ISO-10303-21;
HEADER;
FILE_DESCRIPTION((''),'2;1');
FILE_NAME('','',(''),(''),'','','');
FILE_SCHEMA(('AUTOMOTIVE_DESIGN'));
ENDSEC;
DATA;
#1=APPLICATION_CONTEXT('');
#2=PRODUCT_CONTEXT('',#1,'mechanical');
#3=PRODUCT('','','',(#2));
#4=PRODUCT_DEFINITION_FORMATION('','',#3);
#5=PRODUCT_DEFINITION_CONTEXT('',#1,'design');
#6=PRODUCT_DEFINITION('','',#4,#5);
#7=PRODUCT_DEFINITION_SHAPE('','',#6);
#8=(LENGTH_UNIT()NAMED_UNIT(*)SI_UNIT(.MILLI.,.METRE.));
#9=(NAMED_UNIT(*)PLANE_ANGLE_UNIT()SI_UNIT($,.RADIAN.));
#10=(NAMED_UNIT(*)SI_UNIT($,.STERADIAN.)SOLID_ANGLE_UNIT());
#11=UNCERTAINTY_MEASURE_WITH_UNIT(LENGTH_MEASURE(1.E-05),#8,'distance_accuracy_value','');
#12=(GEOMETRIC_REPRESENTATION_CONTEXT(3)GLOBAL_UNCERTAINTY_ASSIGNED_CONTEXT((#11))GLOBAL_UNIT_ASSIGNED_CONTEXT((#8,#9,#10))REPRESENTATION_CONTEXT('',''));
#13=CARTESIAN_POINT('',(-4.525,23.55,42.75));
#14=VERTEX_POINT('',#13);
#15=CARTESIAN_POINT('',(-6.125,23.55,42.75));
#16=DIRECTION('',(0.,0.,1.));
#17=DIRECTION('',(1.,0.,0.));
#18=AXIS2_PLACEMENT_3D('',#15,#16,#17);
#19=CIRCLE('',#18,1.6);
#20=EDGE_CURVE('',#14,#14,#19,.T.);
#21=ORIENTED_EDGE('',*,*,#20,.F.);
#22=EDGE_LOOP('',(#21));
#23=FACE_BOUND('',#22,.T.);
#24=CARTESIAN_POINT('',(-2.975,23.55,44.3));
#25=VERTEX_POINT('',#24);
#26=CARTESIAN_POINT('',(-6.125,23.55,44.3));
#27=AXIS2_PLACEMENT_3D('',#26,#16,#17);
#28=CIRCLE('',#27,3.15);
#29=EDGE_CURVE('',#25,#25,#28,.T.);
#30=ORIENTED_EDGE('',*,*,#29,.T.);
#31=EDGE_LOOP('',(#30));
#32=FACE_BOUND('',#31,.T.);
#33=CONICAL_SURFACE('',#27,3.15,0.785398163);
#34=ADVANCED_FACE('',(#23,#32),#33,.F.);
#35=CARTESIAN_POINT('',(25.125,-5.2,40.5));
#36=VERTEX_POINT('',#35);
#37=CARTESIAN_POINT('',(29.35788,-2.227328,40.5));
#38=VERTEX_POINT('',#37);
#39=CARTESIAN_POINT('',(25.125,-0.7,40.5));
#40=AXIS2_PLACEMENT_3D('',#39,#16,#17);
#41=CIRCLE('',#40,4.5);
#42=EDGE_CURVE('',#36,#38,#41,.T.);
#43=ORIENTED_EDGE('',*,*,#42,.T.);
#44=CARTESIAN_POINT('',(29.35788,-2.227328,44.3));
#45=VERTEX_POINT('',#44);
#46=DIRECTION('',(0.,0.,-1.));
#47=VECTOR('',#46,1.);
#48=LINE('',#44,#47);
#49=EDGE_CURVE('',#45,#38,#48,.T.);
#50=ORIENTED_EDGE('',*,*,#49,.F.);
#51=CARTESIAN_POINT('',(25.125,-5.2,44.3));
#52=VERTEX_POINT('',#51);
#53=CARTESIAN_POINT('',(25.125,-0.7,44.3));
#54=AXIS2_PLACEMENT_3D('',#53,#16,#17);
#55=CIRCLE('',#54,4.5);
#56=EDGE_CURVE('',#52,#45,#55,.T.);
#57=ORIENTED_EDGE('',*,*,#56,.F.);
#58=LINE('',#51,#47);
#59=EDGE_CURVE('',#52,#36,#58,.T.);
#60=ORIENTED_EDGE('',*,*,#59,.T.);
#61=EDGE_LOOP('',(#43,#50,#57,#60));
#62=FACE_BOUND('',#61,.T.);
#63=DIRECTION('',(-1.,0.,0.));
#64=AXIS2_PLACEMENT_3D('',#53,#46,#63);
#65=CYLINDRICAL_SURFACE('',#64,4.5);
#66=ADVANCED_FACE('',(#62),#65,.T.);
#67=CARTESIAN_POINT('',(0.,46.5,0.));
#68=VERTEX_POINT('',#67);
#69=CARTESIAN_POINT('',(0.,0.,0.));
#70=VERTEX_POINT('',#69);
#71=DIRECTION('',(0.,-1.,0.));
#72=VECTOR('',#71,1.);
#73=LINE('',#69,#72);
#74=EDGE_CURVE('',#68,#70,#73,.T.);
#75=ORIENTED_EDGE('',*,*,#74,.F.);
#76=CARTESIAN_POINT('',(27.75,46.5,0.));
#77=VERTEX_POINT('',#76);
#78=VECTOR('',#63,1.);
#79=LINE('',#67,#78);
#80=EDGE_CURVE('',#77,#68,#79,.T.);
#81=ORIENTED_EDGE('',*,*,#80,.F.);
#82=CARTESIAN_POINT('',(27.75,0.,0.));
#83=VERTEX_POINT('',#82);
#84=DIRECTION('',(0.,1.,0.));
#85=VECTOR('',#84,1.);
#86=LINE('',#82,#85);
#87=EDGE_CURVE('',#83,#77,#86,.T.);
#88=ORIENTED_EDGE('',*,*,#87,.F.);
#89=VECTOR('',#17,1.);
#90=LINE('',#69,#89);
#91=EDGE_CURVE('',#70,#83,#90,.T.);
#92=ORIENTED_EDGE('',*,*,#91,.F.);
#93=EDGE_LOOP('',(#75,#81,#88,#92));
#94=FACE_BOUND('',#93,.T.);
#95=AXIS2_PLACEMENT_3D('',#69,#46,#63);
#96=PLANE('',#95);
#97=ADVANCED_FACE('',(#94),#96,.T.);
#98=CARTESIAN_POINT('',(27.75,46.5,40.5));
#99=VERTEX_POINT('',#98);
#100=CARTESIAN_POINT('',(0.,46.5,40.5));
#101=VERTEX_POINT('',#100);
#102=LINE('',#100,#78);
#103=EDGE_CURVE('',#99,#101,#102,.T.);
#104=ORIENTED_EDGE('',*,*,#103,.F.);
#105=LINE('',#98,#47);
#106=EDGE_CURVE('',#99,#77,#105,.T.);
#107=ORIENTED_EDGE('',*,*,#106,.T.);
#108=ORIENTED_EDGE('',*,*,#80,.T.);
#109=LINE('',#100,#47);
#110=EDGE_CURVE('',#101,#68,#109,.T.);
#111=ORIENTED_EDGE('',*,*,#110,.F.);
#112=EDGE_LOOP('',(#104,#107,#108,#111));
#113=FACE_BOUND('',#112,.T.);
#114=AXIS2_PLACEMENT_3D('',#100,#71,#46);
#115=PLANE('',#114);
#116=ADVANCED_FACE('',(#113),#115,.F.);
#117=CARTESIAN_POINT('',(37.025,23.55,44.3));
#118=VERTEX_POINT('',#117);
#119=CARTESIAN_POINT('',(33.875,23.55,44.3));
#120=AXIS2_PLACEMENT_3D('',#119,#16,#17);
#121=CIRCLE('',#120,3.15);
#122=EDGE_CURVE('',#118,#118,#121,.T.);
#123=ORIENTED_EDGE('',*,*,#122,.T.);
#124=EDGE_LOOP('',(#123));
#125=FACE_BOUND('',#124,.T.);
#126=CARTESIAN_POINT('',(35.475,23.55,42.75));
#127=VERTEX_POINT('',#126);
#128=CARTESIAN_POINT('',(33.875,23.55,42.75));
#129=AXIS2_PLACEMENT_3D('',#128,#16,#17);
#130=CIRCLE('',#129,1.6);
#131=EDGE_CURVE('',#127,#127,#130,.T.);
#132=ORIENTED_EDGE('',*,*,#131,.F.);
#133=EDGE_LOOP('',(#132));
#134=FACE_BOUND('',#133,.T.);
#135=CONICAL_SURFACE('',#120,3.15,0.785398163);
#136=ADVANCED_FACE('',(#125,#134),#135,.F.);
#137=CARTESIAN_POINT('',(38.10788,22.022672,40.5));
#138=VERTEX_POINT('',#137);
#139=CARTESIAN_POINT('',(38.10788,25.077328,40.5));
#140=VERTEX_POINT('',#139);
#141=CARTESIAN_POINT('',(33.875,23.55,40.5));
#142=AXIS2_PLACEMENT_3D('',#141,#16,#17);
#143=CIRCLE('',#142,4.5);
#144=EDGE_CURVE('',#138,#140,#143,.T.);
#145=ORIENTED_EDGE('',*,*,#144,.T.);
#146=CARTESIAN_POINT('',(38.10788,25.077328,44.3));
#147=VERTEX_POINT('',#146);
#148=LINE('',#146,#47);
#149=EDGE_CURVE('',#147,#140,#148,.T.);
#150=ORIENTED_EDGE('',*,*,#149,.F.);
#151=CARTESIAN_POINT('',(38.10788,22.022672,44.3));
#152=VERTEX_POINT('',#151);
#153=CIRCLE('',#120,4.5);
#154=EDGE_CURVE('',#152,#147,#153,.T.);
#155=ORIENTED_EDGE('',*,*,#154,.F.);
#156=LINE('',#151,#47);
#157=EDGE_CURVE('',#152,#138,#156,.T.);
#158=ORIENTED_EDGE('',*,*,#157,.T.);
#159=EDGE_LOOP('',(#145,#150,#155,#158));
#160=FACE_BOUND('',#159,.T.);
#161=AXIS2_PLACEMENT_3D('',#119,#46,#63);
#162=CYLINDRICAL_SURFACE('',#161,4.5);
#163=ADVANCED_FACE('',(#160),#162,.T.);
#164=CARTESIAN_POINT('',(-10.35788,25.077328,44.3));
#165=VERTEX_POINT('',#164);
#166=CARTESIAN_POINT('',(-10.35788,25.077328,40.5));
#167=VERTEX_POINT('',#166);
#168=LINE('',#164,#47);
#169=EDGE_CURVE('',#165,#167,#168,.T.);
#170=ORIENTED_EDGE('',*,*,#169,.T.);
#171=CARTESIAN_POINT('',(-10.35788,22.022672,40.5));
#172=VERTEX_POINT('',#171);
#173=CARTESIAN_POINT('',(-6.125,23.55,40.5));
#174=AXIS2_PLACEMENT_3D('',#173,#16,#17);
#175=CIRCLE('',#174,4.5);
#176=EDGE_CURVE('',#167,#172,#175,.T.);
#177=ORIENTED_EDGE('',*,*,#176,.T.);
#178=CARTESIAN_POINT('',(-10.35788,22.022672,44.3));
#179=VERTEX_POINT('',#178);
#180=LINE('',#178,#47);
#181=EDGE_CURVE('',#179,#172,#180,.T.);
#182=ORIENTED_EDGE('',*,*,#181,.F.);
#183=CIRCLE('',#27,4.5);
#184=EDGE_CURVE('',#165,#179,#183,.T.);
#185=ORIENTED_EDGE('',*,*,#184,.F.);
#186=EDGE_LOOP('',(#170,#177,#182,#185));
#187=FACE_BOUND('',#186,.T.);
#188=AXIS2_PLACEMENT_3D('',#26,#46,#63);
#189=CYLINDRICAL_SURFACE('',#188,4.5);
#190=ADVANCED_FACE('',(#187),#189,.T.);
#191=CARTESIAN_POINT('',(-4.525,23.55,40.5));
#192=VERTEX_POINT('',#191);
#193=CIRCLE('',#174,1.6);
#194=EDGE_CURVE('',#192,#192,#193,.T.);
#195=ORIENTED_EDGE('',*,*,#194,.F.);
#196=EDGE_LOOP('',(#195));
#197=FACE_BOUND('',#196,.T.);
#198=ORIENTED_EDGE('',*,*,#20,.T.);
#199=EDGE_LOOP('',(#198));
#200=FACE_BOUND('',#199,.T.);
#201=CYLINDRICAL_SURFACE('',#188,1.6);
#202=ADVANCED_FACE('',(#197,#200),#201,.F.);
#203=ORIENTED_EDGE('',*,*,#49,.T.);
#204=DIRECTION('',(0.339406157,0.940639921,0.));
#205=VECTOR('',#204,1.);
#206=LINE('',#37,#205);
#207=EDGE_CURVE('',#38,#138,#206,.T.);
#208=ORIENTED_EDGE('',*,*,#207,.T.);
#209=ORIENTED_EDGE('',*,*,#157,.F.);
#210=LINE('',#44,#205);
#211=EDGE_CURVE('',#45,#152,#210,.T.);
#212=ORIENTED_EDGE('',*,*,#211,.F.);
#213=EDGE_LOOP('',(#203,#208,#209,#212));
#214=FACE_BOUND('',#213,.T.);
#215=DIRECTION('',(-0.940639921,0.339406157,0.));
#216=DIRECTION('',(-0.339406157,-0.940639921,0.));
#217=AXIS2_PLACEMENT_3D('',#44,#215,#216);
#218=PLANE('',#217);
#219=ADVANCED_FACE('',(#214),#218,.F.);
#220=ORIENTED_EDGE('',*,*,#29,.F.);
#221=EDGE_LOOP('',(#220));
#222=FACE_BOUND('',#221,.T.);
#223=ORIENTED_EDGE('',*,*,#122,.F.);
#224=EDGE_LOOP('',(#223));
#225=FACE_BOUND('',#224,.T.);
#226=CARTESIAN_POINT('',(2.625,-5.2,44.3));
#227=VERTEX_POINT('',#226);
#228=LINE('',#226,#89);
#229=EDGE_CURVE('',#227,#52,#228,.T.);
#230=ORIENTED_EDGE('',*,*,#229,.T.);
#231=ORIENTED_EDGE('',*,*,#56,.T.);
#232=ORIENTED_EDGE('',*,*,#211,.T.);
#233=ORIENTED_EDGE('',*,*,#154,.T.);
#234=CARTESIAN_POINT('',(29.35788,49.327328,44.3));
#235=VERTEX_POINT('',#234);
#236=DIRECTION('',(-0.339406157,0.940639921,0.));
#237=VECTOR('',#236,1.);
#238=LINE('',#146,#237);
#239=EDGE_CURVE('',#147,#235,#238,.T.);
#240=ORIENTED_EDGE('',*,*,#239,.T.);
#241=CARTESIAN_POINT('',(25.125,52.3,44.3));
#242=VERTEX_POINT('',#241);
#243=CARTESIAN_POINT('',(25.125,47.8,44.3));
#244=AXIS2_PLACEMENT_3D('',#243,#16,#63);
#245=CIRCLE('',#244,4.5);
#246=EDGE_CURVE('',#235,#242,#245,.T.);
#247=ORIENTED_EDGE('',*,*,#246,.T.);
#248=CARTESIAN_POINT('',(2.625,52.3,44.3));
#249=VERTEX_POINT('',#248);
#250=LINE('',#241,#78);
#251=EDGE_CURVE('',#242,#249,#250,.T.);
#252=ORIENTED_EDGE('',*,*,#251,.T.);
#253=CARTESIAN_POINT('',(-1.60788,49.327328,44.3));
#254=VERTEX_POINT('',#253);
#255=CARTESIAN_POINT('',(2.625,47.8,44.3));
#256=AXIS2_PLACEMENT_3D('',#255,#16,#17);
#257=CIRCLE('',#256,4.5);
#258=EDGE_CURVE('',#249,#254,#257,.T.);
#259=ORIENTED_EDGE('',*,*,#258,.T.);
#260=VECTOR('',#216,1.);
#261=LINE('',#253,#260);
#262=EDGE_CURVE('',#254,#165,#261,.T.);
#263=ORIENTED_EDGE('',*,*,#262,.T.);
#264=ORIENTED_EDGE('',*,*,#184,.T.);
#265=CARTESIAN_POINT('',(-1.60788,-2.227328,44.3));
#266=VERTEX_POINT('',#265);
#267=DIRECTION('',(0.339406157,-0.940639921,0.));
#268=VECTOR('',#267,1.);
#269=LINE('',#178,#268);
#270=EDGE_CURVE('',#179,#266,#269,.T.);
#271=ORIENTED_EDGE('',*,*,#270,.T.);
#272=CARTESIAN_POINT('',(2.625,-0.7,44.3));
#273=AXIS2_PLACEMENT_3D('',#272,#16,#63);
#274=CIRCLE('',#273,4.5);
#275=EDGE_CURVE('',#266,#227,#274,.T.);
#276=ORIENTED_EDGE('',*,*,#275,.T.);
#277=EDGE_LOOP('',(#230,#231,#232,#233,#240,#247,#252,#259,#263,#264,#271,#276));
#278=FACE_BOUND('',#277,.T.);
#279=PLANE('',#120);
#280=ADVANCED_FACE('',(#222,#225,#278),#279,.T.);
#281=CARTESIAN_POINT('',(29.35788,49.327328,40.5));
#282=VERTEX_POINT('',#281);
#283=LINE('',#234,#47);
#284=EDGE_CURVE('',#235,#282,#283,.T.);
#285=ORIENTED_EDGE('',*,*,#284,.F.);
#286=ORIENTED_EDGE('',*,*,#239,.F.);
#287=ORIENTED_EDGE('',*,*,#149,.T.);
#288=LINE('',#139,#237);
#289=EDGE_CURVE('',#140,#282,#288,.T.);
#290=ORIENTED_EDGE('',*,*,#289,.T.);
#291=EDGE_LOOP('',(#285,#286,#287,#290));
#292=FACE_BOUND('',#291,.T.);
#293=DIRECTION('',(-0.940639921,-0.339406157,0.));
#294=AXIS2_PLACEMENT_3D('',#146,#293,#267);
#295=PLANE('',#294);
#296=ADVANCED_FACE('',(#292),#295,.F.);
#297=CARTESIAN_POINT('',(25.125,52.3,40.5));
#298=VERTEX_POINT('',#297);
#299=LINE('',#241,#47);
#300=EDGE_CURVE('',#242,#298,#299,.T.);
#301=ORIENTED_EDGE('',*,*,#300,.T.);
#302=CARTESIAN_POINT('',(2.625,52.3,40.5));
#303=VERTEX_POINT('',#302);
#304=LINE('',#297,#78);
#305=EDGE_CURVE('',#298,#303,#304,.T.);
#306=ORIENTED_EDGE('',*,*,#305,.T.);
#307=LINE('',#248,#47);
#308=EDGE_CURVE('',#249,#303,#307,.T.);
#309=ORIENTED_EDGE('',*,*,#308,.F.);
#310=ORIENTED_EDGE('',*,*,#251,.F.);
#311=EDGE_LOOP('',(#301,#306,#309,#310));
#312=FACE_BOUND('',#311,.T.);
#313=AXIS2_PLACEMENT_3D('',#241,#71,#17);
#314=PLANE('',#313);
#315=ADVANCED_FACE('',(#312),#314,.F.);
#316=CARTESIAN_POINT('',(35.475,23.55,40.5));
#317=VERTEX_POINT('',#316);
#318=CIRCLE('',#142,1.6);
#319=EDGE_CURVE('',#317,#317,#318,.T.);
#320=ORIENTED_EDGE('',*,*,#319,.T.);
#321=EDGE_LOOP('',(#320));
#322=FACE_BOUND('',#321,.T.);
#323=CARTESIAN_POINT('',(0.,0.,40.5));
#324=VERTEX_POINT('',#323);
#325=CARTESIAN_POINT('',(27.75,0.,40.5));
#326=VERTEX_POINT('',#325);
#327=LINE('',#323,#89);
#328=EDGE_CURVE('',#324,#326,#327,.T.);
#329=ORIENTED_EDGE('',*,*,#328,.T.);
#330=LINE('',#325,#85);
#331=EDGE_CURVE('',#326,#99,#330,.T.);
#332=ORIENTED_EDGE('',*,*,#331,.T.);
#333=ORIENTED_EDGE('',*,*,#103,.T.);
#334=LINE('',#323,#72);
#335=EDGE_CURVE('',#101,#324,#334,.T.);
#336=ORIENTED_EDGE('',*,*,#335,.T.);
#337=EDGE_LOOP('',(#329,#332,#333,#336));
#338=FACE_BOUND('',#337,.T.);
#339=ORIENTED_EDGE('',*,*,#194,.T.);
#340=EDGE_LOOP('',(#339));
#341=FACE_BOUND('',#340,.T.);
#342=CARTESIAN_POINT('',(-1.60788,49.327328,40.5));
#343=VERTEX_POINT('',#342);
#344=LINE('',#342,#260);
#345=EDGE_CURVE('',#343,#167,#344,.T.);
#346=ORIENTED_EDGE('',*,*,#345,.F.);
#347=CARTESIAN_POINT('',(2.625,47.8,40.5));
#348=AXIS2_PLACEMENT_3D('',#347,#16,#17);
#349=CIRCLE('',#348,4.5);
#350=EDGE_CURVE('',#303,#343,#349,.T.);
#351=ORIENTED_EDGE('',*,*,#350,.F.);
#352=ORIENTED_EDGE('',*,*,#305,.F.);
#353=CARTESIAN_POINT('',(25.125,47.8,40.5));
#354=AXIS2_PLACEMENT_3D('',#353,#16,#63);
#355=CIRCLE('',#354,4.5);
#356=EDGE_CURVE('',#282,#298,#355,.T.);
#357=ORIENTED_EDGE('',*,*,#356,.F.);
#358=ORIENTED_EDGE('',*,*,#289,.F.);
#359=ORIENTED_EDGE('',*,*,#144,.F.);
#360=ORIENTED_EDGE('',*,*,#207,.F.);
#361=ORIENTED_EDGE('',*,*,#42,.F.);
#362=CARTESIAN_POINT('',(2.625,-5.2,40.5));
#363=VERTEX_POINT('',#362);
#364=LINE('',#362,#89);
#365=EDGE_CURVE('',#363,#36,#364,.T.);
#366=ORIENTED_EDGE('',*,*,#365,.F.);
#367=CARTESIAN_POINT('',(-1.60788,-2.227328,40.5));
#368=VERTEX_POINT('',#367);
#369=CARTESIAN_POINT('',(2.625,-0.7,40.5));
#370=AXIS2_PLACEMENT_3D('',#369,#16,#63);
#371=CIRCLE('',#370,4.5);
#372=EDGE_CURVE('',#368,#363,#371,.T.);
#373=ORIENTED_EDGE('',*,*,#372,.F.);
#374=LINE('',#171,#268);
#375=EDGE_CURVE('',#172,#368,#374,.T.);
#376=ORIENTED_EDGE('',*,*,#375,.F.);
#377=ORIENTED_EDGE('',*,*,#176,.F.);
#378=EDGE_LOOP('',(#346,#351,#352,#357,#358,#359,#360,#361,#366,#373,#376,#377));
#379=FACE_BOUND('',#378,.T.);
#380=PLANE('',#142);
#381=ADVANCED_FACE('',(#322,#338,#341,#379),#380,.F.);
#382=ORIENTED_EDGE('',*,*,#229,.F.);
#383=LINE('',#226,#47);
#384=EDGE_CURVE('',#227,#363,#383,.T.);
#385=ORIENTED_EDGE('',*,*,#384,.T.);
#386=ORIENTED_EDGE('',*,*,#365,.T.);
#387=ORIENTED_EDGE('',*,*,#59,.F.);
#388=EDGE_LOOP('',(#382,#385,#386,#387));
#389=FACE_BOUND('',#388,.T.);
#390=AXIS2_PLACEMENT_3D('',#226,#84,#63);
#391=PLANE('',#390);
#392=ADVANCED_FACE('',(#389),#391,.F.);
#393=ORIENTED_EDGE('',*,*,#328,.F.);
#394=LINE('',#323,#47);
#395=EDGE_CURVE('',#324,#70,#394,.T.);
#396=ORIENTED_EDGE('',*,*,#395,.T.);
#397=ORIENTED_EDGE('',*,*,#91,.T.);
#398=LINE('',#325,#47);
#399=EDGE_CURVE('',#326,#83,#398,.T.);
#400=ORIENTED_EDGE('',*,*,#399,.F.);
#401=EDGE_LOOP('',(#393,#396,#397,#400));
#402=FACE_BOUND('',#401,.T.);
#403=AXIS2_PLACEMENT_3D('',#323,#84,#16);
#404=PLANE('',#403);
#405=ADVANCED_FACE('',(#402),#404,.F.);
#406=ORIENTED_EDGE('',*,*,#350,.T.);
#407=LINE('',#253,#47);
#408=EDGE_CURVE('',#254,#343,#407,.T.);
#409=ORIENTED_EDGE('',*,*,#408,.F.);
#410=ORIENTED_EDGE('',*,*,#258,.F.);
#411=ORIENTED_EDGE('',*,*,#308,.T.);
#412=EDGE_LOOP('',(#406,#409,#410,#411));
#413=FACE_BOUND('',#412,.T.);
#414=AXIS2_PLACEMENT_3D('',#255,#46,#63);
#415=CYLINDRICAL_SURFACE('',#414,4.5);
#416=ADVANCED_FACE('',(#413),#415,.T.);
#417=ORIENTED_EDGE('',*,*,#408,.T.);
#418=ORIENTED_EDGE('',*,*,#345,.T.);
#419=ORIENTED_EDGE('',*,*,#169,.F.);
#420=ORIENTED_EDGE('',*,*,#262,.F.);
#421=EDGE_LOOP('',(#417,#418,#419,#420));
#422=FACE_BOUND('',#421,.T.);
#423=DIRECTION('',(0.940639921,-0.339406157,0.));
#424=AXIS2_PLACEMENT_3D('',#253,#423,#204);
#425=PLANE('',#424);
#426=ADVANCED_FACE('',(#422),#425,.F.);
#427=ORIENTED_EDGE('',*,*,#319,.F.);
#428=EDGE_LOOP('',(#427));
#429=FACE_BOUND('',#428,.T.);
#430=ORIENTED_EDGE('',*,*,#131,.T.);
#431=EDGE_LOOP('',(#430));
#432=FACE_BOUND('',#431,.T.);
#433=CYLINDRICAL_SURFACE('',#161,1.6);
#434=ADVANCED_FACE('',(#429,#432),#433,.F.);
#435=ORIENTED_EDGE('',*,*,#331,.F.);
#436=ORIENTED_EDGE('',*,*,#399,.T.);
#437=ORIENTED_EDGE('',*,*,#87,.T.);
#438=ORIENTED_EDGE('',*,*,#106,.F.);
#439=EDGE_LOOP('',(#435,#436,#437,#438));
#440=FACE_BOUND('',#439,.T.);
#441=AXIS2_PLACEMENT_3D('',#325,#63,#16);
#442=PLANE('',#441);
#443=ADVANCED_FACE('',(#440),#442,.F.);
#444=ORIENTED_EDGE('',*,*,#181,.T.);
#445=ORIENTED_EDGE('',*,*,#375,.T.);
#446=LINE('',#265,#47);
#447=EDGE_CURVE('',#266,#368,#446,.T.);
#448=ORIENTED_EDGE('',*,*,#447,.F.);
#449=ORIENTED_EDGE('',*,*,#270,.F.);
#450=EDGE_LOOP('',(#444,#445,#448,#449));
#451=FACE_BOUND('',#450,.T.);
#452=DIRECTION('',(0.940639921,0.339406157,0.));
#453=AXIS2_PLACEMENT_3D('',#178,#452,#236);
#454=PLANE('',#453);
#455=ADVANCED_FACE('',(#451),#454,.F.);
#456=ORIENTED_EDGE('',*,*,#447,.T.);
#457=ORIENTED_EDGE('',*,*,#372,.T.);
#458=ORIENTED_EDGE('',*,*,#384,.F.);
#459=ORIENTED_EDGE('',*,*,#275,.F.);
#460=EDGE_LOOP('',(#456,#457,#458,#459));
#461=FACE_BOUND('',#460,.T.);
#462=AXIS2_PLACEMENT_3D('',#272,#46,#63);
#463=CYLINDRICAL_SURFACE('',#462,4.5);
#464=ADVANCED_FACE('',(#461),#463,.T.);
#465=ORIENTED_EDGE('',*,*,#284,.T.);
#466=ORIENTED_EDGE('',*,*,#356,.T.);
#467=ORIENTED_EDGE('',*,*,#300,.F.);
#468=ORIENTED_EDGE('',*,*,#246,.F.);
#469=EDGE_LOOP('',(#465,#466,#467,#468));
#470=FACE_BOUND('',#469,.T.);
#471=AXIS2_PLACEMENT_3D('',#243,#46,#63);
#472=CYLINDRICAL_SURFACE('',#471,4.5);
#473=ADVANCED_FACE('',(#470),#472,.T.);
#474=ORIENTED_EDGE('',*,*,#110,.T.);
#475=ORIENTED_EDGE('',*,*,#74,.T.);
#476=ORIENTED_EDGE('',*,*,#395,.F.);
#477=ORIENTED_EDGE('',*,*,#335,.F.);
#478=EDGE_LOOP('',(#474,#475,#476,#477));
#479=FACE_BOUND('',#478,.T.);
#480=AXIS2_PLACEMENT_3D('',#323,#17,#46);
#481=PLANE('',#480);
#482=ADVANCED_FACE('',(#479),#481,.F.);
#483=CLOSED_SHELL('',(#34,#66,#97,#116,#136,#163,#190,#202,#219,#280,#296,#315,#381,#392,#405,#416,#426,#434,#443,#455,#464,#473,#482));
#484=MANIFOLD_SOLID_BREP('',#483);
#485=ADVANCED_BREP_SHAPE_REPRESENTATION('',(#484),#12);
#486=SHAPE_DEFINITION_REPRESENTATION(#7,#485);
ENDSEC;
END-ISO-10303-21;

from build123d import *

# Parameters (mm, degrees)
SKETCH1_W                                       = 27.75
SKETCH1_H                                       = 46.5
BOSS_EXTRUDE1_DEPTH                             = 40.5
SKETCH2_R                                       = 1.6
BOSS_EXTRUDE2_DEPTH                             = 3.8
CSK_FOR_M3_FLAT_HEAD_MACHINE_SCREW1_D           = 3.2
CSK_FOR_M3_FLAT_HEAD_MACHINE_SCREW1_CSINK_D     = 6.3
CSK_FOR_M3_FLAT_HEAD_MACHINE_SCREW1_CSINK_ANGLE = 90


with BuildPart() as part:
    # Sketch1 → Boss-Extrude1 (new body)
    with BuildSketch(Plane.XY):
        with Locations((13.875, 23.25)):
            Rectangle(SKETCH1_W, SKETCH1_H)
    extrude(amount=BOSS_EXTRUDE1_DEPTH)

    # Sketch2 → Boss-Extrude2 (add)
    with BuildSketch(Plane.XY.offset(40.5)):
        with BuildLine():
            Line((2.625, -5.2), (25.125, -5.2))
            ThreePointArc((25.125, -5.2), (27.711215896, -4.382592475), (29.357879644, -2.227327706))
            Line((29.357879644, -2.227327706), (38.107879644, 22.022672294))
            ThreePointArc((38.107879644, 22.022672294), (38.375, 23.55), (38.107879644, 25.077327706))
            Line((38.107879644, 25.077327706), (29.357879644, 49.327327706))
            ThreePointArc((29.357879644, 49.327327706), (27.711215896, 51.482592475), (25.125, 52.3))
            Line((25.125, 52.3), (2.625, 52.3))
            ThreePointArc((2.625, 52.3), (0.038784104, 51.482592475), (-1.607879644, 49.327327706))
            Line((-1.607879644, 49.327327706), (-10.357879644, 25.077327706))
            ThreePointArc((-10.357879644, 25.077327706), (-10.625, 23.55), (-10.357879644, 22.022672294))
            Line((-10.357879644, 22.022672294), (-1.607879644, -2.227327706))
            ThreePointArc((-1.607879644, -2.227327706), (0.038784104, -4.382592475), (2.625, -5.2))
        make_face()
        with Locations((-6.125, 23.55)):
            Circle(SKETCH2_R, mode=Mode.SUBTRACT)
        with Locations((33.875, 23.55)):
            Circle(SKETCH2_R, mode=Mode.SUBTRACT)
    extrude(amount=BOSS_EXTRUDE2_DEPTH)

    # CSK for M3 Flat Head Machine Screw1 (through all)
    with Locations(Plane.XY.offset(44.3)):
        with Locations((-6.125, 23.55), (33.875, 23.55)):
            CounterSinkHole(CSK_FOR_M3_FLAT_HEAD_MACHINE_SCREW1_D / 2, CSK_FOR_M3_FLAT_HEAD_MACHINE_SCREW1_CSINK_D / 2, counter_sink_angle=CSK_FOR_M3_FLAT_HEAD_MACHINE_SCREW1_CSINK_ANGLE)


solid = part.part
